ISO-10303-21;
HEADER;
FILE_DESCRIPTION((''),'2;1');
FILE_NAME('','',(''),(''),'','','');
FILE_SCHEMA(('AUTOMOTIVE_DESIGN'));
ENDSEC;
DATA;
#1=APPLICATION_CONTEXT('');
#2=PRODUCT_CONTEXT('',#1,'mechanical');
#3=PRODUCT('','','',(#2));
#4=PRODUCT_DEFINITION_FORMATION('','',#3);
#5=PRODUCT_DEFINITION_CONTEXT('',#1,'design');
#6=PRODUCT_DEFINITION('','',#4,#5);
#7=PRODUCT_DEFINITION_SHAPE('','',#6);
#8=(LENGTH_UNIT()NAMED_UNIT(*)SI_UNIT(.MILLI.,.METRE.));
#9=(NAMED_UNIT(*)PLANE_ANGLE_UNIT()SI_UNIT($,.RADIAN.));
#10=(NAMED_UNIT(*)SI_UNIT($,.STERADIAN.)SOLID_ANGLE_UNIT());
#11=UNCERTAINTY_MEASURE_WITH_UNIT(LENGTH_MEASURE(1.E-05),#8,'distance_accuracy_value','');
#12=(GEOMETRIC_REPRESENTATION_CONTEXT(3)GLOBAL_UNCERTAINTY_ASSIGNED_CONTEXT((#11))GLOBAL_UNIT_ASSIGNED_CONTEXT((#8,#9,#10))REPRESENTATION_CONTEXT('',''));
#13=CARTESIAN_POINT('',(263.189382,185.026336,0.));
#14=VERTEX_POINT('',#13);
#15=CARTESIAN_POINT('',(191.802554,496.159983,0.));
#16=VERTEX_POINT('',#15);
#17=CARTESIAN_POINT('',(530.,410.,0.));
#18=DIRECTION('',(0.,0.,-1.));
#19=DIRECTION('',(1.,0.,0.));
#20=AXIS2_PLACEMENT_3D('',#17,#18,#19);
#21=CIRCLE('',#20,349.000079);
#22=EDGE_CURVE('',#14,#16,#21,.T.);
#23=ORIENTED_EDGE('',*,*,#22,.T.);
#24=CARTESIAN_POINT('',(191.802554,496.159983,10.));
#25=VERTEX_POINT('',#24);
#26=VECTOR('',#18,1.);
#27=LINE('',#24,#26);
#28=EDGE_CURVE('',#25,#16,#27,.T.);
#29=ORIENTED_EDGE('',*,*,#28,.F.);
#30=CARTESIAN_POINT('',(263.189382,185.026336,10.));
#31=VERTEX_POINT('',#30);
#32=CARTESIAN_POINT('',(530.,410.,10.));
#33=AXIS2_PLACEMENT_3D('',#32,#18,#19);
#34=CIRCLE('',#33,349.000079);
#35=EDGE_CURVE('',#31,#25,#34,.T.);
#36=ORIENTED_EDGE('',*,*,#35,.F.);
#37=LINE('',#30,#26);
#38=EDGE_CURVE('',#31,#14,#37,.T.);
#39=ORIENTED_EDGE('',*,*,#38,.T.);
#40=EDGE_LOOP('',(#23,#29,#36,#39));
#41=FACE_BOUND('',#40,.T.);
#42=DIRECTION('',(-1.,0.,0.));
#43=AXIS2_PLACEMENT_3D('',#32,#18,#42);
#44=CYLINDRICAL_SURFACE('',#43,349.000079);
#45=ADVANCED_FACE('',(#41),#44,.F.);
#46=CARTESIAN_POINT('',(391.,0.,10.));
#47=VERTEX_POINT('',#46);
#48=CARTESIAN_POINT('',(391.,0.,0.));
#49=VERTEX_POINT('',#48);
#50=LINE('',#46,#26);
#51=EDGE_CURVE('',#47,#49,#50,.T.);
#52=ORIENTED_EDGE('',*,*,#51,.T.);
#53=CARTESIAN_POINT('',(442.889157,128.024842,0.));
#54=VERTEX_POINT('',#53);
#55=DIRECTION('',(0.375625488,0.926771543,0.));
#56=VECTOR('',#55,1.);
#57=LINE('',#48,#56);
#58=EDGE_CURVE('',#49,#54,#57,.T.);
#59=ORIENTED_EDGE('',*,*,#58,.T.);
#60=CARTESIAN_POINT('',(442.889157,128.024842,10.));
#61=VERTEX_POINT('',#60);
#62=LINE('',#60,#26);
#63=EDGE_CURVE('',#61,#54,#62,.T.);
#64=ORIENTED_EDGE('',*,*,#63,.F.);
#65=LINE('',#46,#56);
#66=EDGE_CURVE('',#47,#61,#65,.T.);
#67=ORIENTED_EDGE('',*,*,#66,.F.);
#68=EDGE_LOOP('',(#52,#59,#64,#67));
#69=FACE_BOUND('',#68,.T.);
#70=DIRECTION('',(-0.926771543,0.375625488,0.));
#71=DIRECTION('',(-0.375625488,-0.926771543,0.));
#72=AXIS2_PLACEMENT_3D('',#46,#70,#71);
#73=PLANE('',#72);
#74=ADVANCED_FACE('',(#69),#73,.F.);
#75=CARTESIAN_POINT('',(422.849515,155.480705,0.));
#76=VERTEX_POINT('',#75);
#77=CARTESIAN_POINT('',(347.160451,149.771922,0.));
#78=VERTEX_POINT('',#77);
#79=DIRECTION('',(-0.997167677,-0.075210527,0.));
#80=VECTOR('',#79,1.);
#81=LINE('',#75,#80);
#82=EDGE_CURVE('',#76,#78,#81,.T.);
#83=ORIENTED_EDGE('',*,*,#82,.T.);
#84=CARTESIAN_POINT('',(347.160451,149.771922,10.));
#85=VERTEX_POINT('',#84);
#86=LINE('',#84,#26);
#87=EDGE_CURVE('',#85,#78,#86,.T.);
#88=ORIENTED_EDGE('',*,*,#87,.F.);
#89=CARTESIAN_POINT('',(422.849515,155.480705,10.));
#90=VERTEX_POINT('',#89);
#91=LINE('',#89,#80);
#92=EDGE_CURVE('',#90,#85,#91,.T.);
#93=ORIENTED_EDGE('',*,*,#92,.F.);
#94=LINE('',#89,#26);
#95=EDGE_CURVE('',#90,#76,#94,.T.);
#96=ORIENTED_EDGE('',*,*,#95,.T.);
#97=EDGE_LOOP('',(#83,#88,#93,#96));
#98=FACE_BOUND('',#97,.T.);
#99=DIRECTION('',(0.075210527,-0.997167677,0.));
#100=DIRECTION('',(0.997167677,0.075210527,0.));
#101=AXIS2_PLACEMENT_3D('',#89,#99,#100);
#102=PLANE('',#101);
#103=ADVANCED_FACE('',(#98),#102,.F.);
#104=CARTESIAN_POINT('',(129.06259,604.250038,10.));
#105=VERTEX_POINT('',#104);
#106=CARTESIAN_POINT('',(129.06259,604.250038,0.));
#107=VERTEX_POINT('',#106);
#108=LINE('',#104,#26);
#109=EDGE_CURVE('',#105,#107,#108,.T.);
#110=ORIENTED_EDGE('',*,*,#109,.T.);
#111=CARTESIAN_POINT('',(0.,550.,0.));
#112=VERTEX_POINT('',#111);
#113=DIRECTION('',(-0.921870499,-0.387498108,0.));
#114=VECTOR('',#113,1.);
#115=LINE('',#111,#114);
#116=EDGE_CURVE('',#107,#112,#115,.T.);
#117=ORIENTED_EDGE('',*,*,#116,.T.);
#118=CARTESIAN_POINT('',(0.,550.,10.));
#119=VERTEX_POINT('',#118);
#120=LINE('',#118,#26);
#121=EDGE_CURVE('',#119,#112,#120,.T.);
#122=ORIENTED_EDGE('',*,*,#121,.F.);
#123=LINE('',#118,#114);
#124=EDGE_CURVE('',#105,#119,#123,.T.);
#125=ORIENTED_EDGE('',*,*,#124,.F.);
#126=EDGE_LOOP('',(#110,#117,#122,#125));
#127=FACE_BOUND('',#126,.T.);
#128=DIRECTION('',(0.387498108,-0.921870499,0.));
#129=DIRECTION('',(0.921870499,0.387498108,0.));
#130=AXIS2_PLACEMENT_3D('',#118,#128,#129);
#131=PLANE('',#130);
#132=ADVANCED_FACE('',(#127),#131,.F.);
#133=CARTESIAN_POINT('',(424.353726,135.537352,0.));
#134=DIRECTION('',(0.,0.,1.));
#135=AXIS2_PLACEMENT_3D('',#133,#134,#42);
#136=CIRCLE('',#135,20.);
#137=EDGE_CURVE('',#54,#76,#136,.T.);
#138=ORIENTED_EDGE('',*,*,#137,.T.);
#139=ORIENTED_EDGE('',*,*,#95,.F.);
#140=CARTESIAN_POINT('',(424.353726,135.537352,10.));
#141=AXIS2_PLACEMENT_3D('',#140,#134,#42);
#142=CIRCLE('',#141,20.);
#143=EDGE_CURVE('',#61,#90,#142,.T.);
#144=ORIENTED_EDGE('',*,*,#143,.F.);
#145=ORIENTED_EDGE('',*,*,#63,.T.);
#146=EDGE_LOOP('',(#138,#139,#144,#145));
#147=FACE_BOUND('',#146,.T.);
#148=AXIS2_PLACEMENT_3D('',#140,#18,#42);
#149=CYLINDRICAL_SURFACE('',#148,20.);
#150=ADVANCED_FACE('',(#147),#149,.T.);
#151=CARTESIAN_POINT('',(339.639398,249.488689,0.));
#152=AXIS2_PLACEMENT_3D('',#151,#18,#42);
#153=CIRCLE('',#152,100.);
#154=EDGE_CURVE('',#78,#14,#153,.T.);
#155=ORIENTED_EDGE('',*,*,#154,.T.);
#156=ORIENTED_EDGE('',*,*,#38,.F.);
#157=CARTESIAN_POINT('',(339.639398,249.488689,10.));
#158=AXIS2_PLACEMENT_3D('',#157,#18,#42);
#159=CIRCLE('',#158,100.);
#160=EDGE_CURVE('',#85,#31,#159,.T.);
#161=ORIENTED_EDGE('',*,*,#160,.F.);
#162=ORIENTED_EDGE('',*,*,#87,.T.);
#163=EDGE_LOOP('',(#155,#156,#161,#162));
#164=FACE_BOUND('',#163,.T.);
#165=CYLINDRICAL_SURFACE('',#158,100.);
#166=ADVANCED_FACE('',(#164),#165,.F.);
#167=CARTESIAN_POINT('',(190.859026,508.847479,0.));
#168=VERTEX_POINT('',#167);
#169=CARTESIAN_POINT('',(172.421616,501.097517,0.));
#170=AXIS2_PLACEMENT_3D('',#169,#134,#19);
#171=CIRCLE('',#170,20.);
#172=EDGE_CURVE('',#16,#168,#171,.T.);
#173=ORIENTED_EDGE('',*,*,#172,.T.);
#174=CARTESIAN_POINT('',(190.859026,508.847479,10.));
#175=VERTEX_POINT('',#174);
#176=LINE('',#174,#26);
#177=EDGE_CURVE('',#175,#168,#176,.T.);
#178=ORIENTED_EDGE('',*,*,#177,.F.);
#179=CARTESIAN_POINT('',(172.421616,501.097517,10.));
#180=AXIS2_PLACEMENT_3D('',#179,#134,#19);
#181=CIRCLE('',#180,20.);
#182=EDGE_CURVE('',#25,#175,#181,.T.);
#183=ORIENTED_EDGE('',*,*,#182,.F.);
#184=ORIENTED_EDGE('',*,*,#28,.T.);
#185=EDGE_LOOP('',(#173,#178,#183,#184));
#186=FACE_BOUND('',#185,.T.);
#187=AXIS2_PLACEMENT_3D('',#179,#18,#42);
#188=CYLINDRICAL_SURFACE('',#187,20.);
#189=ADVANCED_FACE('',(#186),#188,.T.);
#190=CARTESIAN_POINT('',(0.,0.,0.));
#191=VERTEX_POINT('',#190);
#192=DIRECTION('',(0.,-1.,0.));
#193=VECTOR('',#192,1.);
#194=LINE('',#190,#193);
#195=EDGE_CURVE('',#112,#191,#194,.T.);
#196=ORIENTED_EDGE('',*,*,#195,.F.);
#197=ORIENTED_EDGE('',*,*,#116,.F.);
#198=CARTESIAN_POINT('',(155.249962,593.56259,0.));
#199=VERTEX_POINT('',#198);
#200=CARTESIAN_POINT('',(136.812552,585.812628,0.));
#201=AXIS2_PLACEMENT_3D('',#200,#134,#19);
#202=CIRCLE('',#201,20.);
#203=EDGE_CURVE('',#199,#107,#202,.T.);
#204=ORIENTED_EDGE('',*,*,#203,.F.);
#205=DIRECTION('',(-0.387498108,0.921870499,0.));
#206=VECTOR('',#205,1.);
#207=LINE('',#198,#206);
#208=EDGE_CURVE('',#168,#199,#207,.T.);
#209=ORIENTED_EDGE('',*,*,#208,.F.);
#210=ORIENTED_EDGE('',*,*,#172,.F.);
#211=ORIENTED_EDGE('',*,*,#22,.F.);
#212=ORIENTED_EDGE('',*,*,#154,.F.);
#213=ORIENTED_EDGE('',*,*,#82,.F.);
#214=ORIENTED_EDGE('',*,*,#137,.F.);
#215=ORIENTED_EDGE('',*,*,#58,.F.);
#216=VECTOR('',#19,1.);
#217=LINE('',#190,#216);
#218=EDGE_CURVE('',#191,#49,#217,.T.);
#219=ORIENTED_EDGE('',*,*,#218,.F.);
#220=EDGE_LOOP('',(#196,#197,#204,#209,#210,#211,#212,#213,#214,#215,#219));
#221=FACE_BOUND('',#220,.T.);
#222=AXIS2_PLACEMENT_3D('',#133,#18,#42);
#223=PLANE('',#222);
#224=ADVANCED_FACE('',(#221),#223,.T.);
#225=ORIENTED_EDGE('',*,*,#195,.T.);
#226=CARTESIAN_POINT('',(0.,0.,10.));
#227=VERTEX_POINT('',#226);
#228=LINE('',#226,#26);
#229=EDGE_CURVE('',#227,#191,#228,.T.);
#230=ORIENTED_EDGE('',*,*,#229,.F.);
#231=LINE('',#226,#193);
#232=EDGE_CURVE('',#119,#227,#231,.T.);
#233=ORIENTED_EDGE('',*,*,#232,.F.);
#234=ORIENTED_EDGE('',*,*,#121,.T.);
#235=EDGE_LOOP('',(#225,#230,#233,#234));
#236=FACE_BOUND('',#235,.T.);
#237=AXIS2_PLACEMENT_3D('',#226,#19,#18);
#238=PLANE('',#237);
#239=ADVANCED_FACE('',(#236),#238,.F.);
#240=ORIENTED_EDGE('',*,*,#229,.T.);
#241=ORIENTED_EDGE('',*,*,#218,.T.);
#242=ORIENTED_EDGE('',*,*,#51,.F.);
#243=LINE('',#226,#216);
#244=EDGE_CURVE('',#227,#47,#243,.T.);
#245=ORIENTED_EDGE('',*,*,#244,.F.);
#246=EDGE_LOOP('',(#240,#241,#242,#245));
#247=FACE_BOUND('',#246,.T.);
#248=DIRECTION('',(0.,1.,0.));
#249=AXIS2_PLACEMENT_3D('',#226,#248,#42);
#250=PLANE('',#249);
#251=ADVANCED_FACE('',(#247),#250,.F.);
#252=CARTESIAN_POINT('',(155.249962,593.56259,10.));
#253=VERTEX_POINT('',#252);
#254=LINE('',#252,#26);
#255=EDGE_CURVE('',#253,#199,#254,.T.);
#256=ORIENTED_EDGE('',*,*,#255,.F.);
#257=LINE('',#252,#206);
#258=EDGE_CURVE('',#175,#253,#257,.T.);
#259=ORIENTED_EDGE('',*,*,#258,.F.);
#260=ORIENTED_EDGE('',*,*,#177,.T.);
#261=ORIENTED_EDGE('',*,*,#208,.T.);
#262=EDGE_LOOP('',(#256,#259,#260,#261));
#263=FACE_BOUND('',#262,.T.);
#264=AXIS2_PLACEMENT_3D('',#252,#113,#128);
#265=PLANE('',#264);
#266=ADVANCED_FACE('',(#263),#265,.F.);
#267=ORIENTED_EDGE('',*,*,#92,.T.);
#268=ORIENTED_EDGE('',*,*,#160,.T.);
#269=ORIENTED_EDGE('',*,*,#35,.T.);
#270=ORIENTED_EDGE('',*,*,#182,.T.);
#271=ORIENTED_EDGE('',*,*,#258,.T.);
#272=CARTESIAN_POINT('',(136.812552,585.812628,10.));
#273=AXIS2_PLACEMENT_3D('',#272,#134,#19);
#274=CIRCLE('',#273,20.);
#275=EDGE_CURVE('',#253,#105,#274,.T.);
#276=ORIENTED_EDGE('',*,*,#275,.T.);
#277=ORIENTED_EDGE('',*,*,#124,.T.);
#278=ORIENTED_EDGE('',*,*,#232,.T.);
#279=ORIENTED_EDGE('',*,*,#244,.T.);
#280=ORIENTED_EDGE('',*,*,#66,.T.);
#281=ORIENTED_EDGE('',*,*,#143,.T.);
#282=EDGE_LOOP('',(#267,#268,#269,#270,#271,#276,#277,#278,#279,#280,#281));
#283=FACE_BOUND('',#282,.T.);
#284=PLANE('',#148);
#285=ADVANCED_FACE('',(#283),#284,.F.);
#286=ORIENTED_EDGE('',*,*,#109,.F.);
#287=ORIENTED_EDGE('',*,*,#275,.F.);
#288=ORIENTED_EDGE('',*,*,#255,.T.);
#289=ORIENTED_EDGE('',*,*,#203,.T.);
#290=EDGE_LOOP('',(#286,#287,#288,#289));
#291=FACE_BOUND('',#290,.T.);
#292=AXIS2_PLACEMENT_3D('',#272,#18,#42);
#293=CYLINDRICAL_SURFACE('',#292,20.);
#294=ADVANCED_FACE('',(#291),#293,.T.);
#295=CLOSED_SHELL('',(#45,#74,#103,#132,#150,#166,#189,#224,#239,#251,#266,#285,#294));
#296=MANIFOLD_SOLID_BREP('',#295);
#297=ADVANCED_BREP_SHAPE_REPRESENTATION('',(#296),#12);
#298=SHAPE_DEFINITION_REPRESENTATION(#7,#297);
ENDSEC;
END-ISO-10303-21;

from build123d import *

# Parameters (mm, degrees)
BOSS_EXTRU_1_DEPTH = 10


with BuildPart() as part:
    # Esquisse1 → Boss.-Extru.1 (new body)
    with BuildSketch(Plane.XY):
        with BuildLine():
            Line((0, 0), (0, 550))
            Line((0, 550), (129.062590026, 604.250037842))
            ThreePointArc((129.062590026, 604.250037842), (144.369719008, 604.329896284), (155.249962158, 593.562590026))
            Line((155.249962158, 593.562590026), (190.859025666, 508.847479263))
            ThreePointArc((190.859025666, 508.847479263), (192.366539865, 502.580756708), (191.802553764, 496.159983364))
            ThreePointArc((191.802553764, 496.159983364), (189.838676364, 331.953031603), (263.189381841, 185.026336182))
            ThreePointArc((263.189381841, 185.026336182), (300.928689878, 157.28521303), (347.160451012, 149.771921656))
            Line((347.160451012, 149.771921656), (422.849515254, 155.480705177))
            ThreePointArc((422.849515254, 155.480705177), (440.508345068, 147.328376864), (442.889156647, 128.024841862))
            Line((442.889156647, 128.024841862), (391, 0))
            Line((391, 0), (0, 0))
        make_face()
    extrude(amount=BOSS_EXTRU_1_DEPTH)


solid = part.part
